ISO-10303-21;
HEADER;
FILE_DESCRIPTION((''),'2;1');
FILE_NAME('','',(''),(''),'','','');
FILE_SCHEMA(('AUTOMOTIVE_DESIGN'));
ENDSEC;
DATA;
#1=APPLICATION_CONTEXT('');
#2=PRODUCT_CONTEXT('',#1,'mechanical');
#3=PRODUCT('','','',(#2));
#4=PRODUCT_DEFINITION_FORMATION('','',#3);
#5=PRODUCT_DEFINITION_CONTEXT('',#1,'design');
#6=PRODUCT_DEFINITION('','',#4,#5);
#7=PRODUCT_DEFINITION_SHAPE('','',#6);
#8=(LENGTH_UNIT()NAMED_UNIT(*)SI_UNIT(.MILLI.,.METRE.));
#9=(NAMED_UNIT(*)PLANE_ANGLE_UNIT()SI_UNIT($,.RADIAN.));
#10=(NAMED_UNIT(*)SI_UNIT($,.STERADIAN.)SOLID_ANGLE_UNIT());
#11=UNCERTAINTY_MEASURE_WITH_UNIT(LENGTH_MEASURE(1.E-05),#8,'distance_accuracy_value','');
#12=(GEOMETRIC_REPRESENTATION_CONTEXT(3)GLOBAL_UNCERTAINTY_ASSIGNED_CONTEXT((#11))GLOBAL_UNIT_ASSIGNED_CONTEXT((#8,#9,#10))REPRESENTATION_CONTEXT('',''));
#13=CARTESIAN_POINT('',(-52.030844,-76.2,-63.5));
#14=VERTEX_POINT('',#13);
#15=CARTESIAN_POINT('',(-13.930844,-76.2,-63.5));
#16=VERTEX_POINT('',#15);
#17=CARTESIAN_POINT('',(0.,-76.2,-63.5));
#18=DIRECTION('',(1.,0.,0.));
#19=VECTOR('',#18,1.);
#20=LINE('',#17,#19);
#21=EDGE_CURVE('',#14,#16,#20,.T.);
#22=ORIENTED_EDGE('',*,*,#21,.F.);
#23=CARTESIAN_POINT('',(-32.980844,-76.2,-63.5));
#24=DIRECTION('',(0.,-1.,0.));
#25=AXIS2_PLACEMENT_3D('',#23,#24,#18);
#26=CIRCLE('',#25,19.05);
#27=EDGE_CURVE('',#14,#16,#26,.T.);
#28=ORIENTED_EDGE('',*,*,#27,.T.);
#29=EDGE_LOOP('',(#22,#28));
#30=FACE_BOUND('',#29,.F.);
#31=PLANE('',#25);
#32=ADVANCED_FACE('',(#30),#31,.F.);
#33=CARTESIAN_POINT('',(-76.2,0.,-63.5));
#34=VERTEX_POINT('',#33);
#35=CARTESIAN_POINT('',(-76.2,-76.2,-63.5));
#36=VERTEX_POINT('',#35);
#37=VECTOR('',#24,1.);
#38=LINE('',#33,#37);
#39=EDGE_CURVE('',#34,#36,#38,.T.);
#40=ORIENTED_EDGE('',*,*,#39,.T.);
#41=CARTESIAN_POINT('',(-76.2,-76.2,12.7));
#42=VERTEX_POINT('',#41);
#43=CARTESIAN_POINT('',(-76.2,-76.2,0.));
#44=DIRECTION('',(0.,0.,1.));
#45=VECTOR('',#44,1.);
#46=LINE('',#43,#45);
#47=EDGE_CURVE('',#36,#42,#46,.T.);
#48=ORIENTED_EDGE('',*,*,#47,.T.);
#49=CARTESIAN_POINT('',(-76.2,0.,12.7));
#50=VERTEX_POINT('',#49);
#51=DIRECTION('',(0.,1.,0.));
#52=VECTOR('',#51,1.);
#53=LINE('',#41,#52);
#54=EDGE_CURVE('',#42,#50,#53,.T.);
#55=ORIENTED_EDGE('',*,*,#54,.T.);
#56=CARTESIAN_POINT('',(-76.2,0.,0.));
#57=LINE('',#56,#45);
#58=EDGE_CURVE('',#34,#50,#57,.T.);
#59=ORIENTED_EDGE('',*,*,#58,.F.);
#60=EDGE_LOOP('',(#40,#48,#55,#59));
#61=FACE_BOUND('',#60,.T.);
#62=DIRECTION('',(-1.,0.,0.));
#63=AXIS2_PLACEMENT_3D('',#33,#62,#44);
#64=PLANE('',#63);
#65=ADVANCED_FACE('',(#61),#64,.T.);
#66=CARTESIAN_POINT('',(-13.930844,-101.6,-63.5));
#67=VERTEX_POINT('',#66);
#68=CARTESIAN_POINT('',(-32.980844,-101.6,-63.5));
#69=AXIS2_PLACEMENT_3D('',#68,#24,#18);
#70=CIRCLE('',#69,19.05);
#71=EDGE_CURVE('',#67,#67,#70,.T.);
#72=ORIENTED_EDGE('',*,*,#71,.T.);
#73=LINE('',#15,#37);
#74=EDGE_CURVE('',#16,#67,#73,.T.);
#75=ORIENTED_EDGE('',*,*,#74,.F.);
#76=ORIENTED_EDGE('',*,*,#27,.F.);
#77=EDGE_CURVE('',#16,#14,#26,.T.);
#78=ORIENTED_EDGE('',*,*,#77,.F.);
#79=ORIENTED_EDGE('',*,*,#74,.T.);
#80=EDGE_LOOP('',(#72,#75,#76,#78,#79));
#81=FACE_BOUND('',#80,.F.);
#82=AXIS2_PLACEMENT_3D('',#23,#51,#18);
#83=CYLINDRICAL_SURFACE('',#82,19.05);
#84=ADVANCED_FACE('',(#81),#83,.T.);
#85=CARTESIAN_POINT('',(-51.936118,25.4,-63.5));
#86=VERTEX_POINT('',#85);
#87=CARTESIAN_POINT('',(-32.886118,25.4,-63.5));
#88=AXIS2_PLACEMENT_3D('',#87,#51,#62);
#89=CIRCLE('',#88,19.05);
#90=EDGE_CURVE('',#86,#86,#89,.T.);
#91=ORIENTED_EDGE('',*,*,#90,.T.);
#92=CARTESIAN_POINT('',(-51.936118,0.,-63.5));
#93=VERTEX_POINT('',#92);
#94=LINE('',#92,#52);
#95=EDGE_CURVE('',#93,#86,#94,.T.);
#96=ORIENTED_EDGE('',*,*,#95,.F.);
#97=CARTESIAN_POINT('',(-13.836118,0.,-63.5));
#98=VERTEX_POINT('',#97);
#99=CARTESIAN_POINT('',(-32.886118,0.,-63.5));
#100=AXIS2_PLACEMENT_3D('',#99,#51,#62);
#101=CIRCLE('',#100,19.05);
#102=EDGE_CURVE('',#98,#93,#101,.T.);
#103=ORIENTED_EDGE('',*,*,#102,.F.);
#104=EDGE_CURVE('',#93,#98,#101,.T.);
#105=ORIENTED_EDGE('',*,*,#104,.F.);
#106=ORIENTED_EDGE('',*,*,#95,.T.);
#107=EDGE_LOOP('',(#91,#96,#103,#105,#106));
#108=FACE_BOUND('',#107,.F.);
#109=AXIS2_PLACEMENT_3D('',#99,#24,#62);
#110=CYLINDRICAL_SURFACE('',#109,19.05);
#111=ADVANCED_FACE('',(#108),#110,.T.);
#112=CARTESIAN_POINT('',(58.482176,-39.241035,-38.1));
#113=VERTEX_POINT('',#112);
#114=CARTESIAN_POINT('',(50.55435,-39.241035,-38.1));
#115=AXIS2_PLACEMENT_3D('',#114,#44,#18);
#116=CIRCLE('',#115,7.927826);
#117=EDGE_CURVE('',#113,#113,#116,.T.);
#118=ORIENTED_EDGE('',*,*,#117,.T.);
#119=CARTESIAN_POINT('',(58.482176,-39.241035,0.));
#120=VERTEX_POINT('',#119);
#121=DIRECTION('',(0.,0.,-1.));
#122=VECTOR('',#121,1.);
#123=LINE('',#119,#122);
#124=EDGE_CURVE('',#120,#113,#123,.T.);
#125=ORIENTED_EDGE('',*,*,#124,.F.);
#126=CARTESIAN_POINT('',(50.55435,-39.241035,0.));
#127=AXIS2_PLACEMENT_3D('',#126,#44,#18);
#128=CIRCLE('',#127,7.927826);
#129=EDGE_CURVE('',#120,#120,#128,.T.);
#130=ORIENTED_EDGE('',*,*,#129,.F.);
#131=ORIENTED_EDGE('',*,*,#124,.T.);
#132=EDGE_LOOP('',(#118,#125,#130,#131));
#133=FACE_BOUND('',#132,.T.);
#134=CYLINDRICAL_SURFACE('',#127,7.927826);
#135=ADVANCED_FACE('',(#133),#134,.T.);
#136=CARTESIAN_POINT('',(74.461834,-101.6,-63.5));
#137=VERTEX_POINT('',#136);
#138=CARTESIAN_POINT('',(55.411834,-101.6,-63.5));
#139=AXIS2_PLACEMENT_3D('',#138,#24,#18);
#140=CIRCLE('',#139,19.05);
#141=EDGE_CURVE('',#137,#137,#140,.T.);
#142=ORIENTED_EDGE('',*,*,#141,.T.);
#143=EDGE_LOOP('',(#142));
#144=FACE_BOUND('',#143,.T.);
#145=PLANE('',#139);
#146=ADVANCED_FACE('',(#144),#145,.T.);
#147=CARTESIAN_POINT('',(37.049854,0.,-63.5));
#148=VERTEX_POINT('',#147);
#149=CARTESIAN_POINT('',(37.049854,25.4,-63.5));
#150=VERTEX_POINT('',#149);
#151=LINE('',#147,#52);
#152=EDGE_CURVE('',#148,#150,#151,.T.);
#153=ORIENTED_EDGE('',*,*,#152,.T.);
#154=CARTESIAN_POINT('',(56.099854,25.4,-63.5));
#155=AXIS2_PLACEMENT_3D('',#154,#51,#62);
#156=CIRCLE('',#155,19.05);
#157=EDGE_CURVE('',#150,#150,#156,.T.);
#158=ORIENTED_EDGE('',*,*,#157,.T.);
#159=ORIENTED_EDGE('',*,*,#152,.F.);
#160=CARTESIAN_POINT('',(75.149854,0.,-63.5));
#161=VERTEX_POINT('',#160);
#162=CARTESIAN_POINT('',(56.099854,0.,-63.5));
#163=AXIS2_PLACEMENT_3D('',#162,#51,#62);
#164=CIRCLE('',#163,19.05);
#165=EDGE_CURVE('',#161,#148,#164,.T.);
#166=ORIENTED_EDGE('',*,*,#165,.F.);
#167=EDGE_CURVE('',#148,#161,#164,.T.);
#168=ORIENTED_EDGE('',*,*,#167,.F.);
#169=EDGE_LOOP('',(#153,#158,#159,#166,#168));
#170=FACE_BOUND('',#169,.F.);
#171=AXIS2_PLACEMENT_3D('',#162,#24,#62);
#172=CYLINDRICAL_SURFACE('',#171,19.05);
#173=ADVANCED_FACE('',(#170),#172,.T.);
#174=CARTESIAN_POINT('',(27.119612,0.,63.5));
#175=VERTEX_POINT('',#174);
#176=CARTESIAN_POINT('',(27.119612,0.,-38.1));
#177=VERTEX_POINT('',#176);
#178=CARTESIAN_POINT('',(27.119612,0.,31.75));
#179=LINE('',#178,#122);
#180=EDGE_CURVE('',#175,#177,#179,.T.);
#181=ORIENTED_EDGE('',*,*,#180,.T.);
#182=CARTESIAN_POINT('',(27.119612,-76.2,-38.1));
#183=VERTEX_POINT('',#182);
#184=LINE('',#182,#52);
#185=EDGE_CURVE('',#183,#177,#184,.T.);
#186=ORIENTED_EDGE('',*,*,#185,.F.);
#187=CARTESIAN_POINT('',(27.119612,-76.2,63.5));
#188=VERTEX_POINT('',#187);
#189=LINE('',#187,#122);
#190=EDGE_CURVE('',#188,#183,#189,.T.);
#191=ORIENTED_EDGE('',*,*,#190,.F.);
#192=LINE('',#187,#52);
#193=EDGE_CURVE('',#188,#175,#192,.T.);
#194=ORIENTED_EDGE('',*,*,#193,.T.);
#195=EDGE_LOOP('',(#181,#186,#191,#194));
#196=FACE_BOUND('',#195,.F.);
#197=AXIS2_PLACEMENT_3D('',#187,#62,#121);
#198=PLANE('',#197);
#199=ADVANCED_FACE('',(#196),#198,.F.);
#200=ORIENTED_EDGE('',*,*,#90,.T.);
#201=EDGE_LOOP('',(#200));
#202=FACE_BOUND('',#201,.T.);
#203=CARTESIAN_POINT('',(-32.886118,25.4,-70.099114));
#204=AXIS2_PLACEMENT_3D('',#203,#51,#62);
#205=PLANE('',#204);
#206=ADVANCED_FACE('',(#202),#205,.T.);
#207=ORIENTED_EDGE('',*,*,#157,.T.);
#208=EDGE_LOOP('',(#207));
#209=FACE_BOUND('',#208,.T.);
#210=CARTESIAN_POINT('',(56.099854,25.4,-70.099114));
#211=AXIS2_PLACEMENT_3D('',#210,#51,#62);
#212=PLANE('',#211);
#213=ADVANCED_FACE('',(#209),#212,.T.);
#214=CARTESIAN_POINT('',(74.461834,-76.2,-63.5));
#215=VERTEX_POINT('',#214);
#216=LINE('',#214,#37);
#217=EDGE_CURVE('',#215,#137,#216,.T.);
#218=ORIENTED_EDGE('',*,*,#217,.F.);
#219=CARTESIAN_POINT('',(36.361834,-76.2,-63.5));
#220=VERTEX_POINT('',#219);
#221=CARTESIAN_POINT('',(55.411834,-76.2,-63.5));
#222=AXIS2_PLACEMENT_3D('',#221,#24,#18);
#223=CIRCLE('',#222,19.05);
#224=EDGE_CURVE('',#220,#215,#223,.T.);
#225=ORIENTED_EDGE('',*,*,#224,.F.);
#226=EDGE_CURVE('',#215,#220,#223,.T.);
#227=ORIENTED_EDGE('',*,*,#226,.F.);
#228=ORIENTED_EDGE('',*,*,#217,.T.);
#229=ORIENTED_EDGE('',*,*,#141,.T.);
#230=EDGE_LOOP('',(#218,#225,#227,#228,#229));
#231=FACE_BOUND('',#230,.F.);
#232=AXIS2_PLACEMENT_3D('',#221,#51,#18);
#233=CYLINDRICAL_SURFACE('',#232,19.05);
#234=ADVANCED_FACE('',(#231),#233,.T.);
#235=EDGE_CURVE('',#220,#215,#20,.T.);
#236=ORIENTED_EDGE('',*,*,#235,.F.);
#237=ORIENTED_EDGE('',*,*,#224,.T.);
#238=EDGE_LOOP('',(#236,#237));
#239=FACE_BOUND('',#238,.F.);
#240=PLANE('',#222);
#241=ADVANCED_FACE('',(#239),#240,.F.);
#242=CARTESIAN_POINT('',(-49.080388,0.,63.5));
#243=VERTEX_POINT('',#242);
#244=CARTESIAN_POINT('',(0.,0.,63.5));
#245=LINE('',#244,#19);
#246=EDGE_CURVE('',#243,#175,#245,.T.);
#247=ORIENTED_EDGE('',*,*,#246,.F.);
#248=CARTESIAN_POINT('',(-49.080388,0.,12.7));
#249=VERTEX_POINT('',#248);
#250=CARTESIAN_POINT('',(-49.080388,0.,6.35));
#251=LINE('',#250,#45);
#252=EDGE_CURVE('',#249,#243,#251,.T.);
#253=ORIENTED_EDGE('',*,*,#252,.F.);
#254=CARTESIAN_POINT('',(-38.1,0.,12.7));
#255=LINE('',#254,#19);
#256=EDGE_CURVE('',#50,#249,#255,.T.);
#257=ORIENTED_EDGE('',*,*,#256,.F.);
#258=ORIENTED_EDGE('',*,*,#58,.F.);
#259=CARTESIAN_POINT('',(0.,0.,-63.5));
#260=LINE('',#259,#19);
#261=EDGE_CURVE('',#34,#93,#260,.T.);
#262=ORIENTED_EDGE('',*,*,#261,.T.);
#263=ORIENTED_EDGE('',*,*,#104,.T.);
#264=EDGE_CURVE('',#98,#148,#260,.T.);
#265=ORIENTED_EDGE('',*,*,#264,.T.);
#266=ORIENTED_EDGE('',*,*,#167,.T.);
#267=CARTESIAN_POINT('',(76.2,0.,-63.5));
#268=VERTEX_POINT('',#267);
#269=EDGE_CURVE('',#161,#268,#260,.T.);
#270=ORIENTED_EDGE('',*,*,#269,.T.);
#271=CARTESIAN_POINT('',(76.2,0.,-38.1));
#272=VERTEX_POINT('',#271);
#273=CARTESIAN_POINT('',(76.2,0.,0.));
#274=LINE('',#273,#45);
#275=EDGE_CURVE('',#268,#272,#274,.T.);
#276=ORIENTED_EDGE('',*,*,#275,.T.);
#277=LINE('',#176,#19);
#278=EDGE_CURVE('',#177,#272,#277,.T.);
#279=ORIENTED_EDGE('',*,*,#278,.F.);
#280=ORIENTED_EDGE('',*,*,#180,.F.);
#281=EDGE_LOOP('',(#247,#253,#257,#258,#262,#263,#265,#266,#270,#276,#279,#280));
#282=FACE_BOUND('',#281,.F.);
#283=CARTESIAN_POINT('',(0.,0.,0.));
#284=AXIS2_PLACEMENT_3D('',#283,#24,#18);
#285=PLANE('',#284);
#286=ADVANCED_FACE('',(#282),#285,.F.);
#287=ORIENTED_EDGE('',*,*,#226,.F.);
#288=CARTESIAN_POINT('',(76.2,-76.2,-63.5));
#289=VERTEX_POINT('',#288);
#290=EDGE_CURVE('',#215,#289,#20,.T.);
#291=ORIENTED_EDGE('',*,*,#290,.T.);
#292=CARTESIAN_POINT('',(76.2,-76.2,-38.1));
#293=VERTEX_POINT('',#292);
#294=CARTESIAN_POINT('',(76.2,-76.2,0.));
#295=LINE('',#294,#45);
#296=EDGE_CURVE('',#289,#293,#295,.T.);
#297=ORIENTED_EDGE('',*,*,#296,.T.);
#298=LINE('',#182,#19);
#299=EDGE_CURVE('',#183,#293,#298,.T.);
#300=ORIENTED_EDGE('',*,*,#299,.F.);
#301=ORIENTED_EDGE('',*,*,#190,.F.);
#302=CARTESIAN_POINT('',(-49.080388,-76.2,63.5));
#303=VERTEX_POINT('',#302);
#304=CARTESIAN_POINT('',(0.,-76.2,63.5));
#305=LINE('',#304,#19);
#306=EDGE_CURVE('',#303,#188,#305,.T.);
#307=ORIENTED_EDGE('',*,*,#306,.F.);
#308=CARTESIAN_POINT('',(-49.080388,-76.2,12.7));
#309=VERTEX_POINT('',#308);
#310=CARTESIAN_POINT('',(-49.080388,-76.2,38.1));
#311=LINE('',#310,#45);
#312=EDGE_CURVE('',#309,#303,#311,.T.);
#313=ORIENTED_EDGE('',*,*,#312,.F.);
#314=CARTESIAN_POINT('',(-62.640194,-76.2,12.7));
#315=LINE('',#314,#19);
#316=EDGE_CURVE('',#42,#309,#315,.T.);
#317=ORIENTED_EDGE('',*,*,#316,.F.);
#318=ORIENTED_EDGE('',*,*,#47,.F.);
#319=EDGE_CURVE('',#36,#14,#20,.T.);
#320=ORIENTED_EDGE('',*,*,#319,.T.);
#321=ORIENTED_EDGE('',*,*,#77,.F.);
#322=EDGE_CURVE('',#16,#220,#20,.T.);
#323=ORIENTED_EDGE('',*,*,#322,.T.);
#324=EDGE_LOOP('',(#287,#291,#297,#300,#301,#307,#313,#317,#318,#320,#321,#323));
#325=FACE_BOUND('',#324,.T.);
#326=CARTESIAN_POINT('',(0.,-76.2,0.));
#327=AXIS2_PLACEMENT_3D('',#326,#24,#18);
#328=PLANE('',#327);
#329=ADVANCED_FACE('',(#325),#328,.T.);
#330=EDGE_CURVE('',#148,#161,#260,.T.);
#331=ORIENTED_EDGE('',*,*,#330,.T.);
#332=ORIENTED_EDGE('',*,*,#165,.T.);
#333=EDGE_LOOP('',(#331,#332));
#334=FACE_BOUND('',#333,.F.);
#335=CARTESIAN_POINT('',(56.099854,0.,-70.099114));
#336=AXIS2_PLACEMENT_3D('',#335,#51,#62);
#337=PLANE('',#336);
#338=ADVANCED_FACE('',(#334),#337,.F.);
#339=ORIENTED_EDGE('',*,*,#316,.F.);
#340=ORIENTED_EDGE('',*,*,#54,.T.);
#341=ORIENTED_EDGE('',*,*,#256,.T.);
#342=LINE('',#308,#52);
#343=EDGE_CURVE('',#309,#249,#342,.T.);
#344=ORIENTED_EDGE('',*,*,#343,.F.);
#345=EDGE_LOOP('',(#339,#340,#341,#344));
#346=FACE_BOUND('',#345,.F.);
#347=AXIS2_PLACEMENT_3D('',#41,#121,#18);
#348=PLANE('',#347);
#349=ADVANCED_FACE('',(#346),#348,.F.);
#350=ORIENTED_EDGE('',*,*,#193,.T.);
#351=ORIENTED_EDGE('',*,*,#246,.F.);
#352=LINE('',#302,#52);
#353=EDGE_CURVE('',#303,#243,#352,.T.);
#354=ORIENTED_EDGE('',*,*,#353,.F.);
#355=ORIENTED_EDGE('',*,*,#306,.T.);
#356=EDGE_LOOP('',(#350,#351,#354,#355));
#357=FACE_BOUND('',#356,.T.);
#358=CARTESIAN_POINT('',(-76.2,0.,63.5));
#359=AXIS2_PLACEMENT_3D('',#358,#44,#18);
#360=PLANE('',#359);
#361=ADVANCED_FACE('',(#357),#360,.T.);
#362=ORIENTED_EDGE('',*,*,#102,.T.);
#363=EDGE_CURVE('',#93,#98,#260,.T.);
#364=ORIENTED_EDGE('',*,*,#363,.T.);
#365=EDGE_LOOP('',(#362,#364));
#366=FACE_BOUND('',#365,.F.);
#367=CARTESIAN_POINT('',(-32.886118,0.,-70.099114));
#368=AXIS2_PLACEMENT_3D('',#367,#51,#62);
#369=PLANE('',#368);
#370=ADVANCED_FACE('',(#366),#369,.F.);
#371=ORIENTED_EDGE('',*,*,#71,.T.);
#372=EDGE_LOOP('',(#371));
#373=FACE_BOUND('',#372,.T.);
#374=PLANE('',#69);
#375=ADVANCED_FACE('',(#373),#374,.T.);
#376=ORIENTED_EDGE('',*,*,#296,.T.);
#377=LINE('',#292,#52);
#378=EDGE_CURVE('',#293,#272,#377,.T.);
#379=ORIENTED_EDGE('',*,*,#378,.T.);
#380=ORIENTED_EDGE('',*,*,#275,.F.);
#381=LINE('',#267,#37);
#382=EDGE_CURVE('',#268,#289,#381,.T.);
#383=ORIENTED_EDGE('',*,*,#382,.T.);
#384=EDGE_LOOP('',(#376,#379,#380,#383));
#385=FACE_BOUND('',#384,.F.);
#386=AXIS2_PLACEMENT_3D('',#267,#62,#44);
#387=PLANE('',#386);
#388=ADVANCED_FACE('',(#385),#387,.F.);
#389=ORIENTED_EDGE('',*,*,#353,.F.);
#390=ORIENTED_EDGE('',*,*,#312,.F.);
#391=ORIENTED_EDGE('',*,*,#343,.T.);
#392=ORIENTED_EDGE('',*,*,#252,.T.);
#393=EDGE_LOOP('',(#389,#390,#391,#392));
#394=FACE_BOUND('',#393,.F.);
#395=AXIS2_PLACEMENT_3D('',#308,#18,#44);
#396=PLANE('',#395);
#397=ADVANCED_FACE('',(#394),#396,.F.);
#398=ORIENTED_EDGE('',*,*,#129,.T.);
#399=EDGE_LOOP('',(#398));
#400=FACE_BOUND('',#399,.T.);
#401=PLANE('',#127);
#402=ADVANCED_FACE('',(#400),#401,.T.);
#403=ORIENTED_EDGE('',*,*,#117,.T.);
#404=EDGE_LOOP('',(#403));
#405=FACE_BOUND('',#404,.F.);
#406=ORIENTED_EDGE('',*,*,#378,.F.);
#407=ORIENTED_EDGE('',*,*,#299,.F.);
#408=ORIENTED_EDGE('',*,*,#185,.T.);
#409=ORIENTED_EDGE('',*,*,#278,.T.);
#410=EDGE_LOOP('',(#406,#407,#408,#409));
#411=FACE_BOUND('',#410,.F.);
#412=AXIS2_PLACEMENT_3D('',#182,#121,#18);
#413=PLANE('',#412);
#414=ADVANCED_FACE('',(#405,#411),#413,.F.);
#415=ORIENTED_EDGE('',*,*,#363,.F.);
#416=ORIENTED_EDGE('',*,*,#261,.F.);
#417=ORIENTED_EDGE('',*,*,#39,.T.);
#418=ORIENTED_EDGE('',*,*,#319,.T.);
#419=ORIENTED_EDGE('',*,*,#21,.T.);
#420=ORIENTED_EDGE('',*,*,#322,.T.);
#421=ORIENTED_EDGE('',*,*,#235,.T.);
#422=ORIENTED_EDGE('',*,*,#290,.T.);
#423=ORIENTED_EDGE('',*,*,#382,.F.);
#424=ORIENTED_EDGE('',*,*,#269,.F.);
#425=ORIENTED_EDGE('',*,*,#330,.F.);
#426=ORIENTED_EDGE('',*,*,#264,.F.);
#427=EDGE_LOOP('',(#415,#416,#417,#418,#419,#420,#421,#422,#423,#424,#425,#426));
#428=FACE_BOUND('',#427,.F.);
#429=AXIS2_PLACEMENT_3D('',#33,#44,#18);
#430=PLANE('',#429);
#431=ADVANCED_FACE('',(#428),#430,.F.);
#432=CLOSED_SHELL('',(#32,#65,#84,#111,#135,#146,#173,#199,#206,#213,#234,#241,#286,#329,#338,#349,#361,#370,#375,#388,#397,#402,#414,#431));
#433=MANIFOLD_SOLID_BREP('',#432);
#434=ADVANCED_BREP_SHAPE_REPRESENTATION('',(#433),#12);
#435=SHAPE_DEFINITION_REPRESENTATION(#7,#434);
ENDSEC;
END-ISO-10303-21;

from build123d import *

# Parameters (mm, degrees)
F0_W      = 152.4
F0_H      = 127
F1_DEPTH  = 76.2
F2_W      = 27.119612
F2_H      = 50.8
F3_DEPTH  = 76.201
F4_R      = 19.05
F5_DEPTH  = 25.4
F7_DEPTH  = 25.4
F3_FACE_W = 16.120646
F3_FACE_H = 76.2
F9_DEPTH  = 38.1
F8_R      = 7.927826
F10_DEPTH = 40.64


with BuildPart() as f1:
    # F0 (on Front) → F1 (new body)
    with BuildSketch(Plane.XZ):
        Rectangle(F0_W, F0_H)
    extrude(amount=F1_DEPTH)

    # F2 (on face) → F3 (cut, through all)
    with BuildSketch(Plane.XZ.offset(76.2)):
        with Locations((-62.640194, 38.1)):
            Rectangle(F2_W, F2_H)
        Polygon((76.2, 63.5), (27.119612, 63.5), (27.119612, -38.1), (42.236097, -38.1), (42.236097, 0), (58.356743, 0), (58.356743, -38.1), (76.2, -38.1), align=None)
    extrude(amount=-F3_DEPTH, mode=Mode.SUBTRACT)

    # F4 (on face) → F5 (join)
    with BuildSketch(Plane.XZ.offset(76.2)):
        with Locations((-32.980844, -63.5)):
            Circle(F4_R)
        with Locations((55.411834, -63.5)):
            Circle(F4_R)
    extrude(amount=F5_DEPTH)

    # F6 (on face) → F7 (join)
    with BuildSketch(Plane(origin=(0, 0, 0), x_dir=(-1, 0, 0), z_dir=(0, 1, 0))):
        with BuildLine():
            Line((51.936118, -63.5), (13.836118, -63.5))
            ThreePointArc((13.836118, -63.5), (32.886118, -82.55), (51.936118, -63.5))
        make_face()
        with BuildLine():
            ThreePointArc((-75.149854, -63.5), (-56.099854, -82.55), (-37.049854, -63.5))
            Line((-37.049854, -63.5), (-75.149854, -63.5))
        make_face()
        with BuildLine():
            ThreePointArc((51.936118, -63.5), (32.886118, -44.45), (13.836118, -63.5))
            Line((13.836118, -63.5), (51.936118, -63.5))
        make_face()
        with BuildLine():
            Line((-75.149854, -63.5), (-37.049854, -63.5))
            ThreePointArc((-37.049854, -63.5), (-56.099854, -44.45), (-75.149854, -63.5))
        make_face()
    extrude(amount=F7_DEPTH)

    # F3_face (on face) → F9 (cut)
    with BuildSketch(Plane(origin=(50.29642, -38.1, 0), x_dir=(1, 0, 0), z_dir=(0, 0, 1))):
        Rectangle(F3_FACE_W, F3_FACE_H)
    extrude(amount=-F9_DEPTH, mode=Mode.SUBTRACT)

    # F8 (on Top) → F10 (join)
    with BuildSketch(Plane.XY):
        with Locations((50.55435, -39.241035)):
            Circle(F8_R)
    extrude(amount=-F10_DEPTH)


solid = f1.part
